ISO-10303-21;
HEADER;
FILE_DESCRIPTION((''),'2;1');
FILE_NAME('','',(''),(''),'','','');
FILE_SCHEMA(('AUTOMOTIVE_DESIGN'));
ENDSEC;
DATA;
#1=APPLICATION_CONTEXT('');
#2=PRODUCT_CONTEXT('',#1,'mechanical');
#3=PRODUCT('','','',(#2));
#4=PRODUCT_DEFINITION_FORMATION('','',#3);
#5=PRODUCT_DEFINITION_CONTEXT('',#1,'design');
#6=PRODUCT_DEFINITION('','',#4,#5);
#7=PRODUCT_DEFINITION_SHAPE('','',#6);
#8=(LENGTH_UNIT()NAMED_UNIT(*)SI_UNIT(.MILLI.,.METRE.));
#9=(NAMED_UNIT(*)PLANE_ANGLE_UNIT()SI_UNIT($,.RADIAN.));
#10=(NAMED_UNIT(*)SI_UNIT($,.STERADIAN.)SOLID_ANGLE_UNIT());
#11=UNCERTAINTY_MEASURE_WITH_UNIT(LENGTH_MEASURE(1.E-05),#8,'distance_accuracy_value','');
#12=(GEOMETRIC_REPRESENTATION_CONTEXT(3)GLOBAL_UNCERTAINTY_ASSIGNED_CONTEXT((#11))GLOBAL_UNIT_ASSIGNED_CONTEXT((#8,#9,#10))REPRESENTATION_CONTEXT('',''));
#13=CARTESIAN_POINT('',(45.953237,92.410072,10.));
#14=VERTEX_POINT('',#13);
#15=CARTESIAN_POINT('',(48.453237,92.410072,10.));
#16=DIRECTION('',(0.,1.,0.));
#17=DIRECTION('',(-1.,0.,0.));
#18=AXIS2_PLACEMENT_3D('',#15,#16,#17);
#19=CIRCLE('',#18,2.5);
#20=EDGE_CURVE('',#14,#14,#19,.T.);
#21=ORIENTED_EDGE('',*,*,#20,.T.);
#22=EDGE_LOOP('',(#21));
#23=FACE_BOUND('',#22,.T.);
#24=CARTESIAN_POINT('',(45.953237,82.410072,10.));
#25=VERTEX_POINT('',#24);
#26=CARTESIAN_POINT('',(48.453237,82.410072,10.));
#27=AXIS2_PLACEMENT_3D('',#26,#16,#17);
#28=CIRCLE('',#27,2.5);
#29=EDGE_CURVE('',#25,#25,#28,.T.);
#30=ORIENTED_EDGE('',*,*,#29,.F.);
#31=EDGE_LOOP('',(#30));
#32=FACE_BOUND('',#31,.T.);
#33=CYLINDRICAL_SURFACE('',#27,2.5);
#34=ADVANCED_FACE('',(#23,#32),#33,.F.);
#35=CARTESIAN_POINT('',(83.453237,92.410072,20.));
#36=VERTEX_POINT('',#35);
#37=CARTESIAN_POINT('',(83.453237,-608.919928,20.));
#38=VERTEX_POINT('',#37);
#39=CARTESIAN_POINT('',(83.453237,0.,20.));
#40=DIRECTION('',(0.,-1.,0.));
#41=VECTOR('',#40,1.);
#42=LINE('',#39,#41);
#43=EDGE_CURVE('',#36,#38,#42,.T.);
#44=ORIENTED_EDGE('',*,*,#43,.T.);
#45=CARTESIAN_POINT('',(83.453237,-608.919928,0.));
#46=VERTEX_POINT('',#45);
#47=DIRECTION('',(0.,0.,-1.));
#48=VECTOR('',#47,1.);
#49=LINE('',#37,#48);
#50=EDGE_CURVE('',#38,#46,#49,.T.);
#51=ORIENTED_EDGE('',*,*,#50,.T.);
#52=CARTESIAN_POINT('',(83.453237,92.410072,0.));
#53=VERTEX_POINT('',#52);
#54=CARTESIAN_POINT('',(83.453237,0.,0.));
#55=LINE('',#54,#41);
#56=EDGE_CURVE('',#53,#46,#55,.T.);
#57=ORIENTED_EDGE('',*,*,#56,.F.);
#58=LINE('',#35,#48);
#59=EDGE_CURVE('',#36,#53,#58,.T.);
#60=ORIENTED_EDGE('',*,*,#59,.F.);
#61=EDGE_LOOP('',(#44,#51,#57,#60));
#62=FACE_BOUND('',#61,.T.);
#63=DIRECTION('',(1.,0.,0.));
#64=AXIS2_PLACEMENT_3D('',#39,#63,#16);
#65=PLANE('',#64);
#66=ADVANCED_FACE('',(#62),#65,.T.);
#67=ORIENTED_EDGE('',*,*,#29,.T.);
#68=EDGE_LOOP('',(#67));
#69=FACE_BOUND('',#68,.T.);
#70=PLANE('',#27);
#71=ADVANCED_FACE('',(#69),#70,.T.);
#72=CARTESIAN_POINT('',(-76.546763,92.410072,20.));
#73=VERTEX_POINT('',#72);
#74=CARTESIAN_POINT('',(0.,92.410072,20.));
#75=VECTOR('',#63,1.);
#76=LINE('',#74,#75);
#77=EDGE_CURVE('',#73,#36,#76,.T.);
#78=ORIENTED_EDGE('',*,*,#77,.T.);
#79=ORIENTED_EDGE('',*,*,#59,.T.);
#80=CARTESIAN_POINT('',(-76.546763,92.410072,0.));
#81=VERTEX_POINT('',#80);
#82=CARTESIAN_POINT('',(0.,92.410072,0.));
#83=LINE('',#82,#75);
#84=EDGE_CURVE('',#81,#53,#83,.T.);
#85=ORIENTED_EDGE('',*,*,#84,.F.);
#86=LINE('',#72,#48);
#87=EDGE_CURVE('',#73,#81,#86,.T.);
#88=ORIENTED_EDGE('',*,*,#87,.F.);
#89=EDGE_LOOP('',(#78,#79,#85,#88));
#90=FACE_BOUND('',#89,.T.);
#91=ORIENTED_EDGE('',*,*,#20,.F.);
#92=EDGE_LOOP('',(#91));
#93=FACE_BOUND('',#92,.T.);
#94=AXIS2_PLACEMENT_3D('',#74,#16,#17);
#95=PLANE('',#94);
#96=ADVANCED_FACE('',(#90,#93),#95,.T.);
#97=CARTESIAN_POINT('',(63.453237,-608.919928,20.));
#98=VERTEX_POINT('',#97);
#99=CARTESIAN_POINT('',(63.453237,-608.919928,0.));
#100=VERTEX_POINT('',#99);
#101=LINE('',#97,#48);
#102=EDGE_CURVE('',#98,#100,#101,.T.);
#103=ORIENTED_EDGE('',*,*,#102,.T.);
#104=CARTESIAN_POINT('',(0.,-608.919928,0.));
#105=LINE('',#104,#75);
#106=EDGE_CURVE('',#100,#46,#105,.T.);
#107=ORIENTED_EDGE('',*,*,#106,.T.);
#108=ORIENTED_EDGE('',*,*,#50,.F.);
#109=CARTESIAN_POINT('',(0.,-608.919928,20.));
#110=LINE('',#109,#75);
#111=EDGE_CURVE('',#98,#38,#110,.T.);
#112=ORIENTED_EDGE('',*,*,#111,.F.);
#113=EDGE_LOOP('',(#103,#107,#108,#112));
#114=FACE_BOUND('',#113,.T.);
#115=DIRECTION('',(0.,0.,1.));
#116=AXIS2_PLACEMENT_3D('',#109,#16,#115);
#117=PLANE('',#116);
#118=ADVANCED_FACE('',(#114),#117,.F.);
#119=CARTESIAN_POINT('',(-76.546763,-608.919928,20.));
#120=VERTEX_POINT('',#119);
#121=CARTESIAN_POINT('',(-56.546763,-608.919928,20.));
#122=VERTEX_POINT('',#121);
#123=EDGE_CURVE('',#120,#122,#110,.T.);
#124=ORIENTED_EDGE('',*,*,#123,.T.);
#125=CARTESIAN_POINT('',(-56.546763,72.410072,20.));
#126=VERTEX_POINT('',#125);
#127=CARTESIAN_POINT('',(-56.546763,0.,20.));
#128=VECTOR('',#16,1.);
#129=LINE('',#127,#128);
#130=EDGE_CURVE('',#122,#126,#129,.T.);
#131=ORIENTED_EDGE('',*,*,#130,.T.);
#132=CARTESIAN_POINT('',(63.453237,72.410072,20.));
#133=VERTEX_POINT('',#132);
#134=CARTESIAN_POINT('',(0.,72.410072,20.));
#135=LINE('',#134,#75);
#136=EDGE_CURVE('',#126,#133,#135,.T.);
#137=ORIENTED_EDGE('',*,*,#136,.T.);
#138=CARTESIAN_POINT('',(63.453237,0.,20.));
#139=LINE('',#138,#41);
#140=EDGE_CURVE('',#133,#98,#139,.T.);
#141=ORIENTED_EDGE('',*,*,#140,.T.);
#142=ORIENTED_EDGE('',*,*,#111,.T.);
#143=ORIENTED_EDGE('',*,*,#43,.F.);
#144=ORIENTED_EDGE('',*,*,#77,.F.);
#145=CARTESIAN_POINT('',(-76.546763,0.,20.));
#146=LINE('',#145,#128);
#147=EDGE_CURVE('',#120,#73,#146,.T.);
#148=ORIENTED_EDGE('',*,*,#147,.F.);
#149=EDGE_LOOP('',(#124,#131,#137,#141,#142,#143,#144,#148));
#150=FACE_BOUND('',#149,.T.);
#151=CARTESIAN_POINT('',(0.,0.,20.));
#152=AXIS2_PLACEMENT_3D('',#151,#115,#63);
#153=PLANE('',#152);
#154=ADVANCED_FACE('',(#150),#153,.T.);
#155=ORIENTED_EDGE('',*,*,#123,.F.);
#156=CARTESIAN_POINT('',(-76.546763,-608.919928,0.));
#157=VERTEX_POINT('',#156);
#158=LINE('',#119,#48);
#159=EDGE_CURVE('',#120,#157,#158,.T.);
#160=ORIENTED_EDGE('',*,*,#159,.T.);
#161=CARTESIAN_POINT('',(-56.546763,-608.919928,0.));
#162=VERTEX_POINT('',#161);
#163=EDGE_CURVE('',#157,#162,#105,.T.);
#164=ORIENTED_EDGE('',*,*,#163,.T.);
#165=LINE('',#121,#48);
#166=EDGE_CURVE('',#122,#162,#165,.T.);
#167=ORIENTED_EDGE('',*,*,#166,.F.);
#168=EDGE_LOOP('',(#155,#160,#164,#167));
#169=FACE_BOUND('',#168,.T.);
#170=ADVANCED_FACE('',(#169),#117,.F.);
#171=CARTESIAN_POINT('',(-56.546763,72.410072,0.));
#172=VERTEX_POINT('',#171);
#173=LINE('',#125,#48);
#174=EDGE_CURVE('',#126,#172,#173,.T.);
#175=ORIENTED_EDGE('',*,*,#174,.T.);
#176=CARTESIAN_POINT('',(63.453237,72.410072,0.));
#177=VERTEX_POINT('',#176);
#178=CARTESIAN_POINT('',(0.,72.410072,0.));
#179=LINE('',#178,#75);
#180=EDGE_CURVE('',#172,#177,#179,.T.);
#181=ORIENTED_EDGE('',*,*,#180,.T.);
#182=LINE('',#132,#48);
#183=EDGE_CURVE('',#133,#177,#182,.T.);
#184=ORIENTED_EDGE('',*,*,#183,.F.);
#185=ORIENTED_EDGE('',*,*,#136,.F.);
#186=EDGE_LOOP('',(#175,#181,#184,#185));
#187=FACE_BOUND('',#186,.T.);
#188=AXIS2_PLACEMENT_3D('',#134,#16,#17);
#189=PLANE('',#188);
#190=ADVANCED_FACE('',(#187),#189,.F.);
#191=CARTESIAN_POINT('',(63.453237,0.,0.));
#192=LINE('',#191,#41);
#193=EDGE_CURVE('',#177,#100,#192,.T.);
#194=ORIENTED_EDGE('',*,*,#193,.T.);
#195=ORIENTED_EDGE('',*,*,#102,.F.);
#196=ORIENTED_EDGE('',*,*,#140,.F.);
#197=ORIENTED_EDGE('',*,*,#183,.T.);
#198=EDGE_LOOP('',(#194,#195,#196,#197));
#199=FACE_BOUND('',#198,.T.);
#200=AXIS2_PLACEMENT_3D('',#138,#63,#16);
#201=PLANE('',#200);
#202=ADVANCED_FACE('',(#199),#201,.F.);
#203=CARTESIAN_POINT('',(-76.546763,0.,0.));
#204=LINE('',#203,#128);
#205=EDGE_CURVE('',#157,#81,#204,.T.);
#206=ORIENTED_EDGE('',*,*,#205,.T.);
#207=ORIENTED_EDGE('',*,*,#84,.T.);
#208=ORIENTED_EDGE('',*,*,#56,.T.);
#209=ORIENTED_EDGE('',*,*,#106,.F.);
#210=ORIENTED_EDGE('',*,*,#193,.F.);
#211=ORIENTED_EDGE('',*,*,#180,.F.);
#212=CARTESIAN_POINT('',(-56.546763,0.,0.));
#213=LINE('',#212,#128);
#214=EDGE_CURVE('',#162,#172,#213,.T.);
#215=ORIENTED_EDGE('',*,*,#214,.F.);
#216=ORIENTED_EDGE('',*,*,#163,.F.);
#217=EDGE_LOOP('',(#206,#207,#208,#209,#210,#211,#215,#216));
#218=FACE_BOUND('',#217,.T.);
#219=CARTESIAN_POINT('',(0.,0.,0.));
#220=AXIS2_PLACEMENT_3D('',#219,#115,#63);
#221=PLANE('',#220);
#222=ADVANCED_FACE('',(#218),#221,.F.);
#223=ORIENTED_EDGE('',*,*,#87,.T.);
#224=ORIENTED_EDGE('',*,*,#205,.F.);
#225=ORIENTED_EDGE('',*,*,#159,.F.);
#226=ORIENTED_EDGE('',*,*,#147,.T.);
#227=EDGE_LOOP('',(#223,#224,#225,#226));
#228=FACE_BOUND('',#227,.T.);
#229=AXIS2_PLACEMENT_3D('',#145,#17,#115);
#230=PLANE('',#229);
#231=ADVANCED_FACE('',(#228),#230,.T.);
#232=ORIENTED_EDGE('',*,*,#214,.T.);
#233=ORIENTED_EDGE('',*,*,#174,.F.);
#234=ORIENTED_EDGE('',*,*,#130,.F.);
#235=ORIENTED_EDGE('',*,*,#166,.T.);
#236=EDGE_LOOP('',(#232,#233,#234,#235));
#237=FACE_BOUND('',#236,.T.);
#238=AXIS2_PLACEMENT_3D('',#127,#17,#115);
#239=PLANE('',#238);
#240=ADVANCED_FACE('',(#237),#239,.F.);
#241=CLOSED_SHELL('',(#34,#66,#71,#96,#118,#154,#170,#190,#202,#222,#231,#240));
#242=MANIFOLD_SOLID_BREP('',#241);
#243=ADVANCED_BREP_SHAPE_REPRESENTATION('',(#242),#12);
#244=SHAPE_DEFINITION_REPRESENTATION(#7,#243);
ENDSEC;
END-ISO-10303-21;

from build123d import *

# Parameters (mm, degrees)
SKETCH1_W           = 20
SKETCH1_H           = 681.33
BOSS_EXTRUDE1_DEPTH = 20
SKETCH2_R           = 2.5
CUT_EXTRUDE1_DEPTH  = 10


with BuildPart() as part:
    # Sketch1 → Boss-Extrude1 (new body)
    with BuildSketch(Plane.XY):
        with Locations((-66.54676259, -268.254928058)):
            Rectangle(SKETCH1_W, SKETCH1_H)
        with Locations((73.45323741, -268.254928058)):
            Rectangle(SKETCH1_W, SKETCH1_H)
        Polygon((-76.54676259, 92.410071942), (-76.54676259, 72.410071942), (-56.54676259, 72.410071942), (63.45323741, 72.410071942), (83.45323741, 72.410071942), (83.45323741, 92.410071942), align=None)
    extrude(amount=BOSS_EXTRUDE1_DEPTH)

    # Sketch2 → Cut-Extrude1 (cut)
    with BuildSketch(Plane(origin=(0, 92.410071942, 0), x_dir=(1, 0, 0), z_dir=(0, 1, 0))):
        with Locations(Location((48.45323741, -10, 0), (0, 0, 180))):
            Circle(SKETCH2_R)
    extrude(amount=-CUT_EXTRUDE1_DEPTH, mode=Mode.SUBTRACT)


solid = part.part
